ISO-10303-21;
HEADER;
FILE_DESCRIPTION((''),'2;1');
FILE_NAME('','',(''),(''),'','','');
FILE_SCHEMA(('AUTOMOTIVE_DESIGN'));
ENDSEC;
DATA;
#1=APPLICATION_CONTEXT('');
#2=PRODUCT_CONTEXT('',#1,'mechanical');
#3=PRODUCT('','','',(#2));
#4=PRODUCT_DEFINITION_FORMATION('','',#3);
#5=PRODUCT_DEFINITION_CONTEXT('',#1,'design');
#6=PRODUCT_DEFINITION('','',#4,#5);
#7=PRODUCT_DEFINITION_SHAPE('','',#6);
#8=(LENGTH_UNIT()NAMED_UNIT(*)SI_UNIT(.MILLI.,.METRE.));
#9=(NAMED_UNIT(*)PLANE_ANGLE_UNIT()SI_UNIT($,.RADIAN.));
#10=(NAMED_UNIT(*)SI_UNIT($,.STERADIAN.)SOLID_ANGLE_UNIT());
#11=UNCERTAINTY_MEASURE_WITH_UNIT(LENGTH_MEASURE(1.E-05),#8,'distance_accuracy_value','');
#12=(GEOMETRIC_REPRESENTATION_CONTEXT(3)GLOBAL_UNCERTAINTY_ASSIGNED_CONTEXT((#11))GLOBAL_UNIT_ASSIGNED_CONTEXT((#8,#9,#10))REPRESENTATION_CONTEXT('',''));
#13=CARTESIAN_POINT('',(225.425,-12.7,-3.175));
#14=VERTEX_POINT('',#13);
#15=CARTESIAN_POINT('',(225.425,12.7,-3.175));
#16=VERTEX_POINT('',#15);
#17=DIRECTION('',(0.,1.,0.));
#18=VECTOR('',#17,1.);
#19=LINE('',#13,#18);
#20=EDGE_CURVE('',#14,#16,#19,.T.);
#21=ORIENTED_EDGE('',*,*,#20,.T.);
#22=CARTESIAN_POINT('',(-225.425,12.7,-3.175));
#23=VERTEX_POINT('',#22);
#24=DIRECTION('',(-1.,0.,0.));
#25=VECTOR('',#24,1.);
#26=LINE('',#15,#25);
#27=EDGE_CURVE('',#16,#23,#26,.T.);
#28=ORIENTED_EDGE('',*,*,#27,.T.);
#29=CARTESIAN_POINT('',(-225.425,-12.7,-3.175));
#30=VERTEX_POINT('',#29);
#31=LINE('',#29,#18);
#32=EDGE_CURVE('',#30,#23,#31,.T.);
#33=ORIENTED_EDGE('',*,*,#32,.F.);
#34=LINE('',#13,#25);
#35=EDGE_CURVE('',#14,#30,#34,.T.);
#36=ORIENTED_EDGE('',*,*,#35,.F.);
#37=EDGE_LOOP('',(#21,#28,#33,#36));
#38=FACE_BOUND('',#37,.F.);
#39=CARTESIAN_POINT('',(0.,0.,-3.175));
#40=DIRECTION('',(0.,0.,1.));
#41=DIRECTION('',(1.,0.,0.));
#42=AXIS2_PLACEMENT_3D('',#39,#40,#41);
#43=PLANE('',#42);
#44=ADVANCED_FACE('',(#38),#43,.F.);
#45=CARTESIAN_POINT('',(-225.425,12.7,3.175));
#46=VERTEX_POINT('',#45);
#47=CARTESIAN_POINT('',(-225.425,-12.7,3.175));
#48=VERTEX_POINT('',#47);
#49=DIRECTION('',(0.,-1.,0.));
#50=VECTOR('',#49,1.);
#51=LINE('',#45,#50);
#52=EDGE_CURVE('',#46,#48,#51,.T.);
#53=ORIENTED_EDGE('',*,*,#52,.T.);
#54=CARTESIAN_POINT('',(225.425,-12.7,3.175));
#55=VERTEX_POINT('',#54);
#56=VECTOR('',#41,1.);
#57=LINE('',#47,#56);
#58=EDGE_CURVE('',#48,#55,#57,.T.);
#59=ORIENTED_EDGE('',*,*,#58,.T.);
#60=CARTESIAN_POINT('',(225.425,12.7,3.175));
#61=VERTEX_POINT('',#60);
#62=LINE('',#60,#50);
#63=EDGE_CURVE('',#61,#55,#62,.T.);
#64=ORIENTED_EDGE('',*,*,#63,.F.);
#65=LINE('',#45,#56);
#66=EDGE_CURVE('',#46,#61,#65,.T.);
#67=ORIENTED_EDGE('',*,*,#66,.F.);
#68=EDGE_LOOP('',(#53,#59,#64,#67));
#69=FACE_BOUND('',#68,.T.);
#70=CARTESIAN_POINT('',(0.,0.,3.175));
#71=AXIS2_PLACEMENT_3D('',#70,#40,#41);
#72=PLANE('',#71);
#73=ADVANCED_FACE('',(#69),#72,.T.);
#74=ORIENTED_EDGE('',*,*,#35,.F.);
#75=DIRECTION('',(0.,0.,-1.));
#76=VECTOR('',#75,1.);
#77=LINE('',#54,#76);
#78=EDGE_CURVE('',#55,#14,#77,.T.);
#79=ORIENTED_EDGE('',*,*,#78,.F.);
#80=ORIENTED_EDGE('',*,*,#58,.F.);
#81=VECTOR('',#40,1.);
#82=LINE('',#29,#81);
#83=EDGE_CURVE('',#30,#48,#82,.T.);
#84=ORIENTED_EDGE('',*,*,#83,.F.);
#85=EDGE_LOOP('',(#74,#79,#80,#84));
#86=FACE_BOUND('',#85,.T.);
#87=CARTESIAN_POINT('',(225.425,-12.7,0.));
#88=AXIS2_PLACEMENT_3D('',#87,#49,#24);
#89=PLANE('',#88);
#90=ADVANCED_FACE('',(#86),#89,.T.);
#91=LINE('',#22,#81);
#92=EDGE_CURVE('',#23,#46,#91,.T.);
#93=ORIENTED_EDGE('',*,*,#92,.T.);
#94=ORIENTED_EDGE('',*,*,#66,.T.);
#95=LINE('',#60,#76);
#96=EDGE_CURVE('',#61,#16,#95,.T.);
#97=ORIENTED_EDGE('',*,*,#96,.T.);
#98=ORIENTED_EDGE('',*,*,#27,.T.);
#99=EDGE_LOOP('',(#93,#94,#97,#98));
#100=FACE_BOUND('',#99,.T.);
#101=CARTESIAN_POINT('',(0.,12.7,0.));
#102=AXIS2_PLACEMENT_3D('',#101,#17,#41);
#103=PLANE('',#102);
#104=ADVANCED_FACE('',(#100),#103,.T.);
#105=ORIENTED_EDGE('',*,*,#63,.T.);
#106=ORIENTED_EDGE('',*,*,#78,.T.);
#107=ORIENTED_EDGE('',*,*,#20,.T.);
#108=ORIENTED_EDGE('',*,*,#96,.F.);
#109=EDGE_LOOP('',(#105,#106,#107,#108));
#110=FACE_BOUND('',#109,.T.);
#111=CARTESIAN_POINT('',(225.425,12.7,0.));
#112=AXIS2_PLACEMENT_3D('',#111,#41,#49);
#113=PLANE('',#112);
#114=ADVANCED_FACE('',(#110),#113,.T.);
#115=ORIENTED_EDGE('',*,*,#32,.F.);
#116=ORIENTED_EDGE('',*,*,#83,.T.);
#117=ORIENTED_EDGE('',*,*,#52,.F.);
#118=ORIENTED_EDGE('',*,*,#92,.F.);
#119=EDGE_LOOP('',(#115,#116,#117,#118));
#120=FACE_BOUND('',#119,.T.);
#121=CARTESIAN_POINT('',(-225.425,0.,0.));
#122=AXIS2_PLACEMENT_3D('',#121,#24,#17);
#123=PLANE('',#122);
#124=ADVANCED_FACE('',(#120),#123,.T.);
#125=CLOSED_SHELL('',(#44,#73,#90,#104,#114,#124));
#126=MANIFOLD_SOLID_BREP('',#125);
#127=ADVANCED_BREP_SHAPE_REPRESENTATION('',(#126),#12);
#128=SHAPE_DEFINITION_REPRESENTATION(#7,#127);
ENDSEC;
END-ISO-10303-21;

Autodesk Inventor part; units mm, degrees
ref_plane "YZ Plane" through (0, 0, 0) normal (1, 0, 0) x (0, 1, 0)
ref_plane "XZ Plane" through (0, 0, 0) normal (0, 1, 0) x (-1, 0, 0)
ref_plane "XY Plane" through (0, 0, 0) normal (0, 0, 1) x (1, 0, 0)
sketch "Sketch1" plane through (0, 0, 0) normal (0, 0, 1) x (1, 0, 0)
  line L0 (0, 17.78) -> (0, -17.78) projected
  line L1 (-315.595, 0) -> (315.595, 0) projected
  line L2 (225.425, -12.7) -> (-225.425, -12.7)
  line L3 (-225.425, -12.7) -> (-225.425, 12.7)
  line L4 (-225.425, 12.7) -> (225.425, 12.7)
  line L5 (225.425, 12.7) -> (225.425, -12.7)
  line L6 (225.425, -12.7) -> (-225.425, 12.7) construction
  line L7 (-225.425, -12.7) -> (225.425, 12.7) construction
  point P0 (0, 0)
  dimension "d0" = 450.85
  dimension "d1" = 25.4
extrude "Extrusion1" add sketch "Sketch1" along normal mid plane 6.35
properties part number "N/A" material "ACRYLIC, CLEAR"
